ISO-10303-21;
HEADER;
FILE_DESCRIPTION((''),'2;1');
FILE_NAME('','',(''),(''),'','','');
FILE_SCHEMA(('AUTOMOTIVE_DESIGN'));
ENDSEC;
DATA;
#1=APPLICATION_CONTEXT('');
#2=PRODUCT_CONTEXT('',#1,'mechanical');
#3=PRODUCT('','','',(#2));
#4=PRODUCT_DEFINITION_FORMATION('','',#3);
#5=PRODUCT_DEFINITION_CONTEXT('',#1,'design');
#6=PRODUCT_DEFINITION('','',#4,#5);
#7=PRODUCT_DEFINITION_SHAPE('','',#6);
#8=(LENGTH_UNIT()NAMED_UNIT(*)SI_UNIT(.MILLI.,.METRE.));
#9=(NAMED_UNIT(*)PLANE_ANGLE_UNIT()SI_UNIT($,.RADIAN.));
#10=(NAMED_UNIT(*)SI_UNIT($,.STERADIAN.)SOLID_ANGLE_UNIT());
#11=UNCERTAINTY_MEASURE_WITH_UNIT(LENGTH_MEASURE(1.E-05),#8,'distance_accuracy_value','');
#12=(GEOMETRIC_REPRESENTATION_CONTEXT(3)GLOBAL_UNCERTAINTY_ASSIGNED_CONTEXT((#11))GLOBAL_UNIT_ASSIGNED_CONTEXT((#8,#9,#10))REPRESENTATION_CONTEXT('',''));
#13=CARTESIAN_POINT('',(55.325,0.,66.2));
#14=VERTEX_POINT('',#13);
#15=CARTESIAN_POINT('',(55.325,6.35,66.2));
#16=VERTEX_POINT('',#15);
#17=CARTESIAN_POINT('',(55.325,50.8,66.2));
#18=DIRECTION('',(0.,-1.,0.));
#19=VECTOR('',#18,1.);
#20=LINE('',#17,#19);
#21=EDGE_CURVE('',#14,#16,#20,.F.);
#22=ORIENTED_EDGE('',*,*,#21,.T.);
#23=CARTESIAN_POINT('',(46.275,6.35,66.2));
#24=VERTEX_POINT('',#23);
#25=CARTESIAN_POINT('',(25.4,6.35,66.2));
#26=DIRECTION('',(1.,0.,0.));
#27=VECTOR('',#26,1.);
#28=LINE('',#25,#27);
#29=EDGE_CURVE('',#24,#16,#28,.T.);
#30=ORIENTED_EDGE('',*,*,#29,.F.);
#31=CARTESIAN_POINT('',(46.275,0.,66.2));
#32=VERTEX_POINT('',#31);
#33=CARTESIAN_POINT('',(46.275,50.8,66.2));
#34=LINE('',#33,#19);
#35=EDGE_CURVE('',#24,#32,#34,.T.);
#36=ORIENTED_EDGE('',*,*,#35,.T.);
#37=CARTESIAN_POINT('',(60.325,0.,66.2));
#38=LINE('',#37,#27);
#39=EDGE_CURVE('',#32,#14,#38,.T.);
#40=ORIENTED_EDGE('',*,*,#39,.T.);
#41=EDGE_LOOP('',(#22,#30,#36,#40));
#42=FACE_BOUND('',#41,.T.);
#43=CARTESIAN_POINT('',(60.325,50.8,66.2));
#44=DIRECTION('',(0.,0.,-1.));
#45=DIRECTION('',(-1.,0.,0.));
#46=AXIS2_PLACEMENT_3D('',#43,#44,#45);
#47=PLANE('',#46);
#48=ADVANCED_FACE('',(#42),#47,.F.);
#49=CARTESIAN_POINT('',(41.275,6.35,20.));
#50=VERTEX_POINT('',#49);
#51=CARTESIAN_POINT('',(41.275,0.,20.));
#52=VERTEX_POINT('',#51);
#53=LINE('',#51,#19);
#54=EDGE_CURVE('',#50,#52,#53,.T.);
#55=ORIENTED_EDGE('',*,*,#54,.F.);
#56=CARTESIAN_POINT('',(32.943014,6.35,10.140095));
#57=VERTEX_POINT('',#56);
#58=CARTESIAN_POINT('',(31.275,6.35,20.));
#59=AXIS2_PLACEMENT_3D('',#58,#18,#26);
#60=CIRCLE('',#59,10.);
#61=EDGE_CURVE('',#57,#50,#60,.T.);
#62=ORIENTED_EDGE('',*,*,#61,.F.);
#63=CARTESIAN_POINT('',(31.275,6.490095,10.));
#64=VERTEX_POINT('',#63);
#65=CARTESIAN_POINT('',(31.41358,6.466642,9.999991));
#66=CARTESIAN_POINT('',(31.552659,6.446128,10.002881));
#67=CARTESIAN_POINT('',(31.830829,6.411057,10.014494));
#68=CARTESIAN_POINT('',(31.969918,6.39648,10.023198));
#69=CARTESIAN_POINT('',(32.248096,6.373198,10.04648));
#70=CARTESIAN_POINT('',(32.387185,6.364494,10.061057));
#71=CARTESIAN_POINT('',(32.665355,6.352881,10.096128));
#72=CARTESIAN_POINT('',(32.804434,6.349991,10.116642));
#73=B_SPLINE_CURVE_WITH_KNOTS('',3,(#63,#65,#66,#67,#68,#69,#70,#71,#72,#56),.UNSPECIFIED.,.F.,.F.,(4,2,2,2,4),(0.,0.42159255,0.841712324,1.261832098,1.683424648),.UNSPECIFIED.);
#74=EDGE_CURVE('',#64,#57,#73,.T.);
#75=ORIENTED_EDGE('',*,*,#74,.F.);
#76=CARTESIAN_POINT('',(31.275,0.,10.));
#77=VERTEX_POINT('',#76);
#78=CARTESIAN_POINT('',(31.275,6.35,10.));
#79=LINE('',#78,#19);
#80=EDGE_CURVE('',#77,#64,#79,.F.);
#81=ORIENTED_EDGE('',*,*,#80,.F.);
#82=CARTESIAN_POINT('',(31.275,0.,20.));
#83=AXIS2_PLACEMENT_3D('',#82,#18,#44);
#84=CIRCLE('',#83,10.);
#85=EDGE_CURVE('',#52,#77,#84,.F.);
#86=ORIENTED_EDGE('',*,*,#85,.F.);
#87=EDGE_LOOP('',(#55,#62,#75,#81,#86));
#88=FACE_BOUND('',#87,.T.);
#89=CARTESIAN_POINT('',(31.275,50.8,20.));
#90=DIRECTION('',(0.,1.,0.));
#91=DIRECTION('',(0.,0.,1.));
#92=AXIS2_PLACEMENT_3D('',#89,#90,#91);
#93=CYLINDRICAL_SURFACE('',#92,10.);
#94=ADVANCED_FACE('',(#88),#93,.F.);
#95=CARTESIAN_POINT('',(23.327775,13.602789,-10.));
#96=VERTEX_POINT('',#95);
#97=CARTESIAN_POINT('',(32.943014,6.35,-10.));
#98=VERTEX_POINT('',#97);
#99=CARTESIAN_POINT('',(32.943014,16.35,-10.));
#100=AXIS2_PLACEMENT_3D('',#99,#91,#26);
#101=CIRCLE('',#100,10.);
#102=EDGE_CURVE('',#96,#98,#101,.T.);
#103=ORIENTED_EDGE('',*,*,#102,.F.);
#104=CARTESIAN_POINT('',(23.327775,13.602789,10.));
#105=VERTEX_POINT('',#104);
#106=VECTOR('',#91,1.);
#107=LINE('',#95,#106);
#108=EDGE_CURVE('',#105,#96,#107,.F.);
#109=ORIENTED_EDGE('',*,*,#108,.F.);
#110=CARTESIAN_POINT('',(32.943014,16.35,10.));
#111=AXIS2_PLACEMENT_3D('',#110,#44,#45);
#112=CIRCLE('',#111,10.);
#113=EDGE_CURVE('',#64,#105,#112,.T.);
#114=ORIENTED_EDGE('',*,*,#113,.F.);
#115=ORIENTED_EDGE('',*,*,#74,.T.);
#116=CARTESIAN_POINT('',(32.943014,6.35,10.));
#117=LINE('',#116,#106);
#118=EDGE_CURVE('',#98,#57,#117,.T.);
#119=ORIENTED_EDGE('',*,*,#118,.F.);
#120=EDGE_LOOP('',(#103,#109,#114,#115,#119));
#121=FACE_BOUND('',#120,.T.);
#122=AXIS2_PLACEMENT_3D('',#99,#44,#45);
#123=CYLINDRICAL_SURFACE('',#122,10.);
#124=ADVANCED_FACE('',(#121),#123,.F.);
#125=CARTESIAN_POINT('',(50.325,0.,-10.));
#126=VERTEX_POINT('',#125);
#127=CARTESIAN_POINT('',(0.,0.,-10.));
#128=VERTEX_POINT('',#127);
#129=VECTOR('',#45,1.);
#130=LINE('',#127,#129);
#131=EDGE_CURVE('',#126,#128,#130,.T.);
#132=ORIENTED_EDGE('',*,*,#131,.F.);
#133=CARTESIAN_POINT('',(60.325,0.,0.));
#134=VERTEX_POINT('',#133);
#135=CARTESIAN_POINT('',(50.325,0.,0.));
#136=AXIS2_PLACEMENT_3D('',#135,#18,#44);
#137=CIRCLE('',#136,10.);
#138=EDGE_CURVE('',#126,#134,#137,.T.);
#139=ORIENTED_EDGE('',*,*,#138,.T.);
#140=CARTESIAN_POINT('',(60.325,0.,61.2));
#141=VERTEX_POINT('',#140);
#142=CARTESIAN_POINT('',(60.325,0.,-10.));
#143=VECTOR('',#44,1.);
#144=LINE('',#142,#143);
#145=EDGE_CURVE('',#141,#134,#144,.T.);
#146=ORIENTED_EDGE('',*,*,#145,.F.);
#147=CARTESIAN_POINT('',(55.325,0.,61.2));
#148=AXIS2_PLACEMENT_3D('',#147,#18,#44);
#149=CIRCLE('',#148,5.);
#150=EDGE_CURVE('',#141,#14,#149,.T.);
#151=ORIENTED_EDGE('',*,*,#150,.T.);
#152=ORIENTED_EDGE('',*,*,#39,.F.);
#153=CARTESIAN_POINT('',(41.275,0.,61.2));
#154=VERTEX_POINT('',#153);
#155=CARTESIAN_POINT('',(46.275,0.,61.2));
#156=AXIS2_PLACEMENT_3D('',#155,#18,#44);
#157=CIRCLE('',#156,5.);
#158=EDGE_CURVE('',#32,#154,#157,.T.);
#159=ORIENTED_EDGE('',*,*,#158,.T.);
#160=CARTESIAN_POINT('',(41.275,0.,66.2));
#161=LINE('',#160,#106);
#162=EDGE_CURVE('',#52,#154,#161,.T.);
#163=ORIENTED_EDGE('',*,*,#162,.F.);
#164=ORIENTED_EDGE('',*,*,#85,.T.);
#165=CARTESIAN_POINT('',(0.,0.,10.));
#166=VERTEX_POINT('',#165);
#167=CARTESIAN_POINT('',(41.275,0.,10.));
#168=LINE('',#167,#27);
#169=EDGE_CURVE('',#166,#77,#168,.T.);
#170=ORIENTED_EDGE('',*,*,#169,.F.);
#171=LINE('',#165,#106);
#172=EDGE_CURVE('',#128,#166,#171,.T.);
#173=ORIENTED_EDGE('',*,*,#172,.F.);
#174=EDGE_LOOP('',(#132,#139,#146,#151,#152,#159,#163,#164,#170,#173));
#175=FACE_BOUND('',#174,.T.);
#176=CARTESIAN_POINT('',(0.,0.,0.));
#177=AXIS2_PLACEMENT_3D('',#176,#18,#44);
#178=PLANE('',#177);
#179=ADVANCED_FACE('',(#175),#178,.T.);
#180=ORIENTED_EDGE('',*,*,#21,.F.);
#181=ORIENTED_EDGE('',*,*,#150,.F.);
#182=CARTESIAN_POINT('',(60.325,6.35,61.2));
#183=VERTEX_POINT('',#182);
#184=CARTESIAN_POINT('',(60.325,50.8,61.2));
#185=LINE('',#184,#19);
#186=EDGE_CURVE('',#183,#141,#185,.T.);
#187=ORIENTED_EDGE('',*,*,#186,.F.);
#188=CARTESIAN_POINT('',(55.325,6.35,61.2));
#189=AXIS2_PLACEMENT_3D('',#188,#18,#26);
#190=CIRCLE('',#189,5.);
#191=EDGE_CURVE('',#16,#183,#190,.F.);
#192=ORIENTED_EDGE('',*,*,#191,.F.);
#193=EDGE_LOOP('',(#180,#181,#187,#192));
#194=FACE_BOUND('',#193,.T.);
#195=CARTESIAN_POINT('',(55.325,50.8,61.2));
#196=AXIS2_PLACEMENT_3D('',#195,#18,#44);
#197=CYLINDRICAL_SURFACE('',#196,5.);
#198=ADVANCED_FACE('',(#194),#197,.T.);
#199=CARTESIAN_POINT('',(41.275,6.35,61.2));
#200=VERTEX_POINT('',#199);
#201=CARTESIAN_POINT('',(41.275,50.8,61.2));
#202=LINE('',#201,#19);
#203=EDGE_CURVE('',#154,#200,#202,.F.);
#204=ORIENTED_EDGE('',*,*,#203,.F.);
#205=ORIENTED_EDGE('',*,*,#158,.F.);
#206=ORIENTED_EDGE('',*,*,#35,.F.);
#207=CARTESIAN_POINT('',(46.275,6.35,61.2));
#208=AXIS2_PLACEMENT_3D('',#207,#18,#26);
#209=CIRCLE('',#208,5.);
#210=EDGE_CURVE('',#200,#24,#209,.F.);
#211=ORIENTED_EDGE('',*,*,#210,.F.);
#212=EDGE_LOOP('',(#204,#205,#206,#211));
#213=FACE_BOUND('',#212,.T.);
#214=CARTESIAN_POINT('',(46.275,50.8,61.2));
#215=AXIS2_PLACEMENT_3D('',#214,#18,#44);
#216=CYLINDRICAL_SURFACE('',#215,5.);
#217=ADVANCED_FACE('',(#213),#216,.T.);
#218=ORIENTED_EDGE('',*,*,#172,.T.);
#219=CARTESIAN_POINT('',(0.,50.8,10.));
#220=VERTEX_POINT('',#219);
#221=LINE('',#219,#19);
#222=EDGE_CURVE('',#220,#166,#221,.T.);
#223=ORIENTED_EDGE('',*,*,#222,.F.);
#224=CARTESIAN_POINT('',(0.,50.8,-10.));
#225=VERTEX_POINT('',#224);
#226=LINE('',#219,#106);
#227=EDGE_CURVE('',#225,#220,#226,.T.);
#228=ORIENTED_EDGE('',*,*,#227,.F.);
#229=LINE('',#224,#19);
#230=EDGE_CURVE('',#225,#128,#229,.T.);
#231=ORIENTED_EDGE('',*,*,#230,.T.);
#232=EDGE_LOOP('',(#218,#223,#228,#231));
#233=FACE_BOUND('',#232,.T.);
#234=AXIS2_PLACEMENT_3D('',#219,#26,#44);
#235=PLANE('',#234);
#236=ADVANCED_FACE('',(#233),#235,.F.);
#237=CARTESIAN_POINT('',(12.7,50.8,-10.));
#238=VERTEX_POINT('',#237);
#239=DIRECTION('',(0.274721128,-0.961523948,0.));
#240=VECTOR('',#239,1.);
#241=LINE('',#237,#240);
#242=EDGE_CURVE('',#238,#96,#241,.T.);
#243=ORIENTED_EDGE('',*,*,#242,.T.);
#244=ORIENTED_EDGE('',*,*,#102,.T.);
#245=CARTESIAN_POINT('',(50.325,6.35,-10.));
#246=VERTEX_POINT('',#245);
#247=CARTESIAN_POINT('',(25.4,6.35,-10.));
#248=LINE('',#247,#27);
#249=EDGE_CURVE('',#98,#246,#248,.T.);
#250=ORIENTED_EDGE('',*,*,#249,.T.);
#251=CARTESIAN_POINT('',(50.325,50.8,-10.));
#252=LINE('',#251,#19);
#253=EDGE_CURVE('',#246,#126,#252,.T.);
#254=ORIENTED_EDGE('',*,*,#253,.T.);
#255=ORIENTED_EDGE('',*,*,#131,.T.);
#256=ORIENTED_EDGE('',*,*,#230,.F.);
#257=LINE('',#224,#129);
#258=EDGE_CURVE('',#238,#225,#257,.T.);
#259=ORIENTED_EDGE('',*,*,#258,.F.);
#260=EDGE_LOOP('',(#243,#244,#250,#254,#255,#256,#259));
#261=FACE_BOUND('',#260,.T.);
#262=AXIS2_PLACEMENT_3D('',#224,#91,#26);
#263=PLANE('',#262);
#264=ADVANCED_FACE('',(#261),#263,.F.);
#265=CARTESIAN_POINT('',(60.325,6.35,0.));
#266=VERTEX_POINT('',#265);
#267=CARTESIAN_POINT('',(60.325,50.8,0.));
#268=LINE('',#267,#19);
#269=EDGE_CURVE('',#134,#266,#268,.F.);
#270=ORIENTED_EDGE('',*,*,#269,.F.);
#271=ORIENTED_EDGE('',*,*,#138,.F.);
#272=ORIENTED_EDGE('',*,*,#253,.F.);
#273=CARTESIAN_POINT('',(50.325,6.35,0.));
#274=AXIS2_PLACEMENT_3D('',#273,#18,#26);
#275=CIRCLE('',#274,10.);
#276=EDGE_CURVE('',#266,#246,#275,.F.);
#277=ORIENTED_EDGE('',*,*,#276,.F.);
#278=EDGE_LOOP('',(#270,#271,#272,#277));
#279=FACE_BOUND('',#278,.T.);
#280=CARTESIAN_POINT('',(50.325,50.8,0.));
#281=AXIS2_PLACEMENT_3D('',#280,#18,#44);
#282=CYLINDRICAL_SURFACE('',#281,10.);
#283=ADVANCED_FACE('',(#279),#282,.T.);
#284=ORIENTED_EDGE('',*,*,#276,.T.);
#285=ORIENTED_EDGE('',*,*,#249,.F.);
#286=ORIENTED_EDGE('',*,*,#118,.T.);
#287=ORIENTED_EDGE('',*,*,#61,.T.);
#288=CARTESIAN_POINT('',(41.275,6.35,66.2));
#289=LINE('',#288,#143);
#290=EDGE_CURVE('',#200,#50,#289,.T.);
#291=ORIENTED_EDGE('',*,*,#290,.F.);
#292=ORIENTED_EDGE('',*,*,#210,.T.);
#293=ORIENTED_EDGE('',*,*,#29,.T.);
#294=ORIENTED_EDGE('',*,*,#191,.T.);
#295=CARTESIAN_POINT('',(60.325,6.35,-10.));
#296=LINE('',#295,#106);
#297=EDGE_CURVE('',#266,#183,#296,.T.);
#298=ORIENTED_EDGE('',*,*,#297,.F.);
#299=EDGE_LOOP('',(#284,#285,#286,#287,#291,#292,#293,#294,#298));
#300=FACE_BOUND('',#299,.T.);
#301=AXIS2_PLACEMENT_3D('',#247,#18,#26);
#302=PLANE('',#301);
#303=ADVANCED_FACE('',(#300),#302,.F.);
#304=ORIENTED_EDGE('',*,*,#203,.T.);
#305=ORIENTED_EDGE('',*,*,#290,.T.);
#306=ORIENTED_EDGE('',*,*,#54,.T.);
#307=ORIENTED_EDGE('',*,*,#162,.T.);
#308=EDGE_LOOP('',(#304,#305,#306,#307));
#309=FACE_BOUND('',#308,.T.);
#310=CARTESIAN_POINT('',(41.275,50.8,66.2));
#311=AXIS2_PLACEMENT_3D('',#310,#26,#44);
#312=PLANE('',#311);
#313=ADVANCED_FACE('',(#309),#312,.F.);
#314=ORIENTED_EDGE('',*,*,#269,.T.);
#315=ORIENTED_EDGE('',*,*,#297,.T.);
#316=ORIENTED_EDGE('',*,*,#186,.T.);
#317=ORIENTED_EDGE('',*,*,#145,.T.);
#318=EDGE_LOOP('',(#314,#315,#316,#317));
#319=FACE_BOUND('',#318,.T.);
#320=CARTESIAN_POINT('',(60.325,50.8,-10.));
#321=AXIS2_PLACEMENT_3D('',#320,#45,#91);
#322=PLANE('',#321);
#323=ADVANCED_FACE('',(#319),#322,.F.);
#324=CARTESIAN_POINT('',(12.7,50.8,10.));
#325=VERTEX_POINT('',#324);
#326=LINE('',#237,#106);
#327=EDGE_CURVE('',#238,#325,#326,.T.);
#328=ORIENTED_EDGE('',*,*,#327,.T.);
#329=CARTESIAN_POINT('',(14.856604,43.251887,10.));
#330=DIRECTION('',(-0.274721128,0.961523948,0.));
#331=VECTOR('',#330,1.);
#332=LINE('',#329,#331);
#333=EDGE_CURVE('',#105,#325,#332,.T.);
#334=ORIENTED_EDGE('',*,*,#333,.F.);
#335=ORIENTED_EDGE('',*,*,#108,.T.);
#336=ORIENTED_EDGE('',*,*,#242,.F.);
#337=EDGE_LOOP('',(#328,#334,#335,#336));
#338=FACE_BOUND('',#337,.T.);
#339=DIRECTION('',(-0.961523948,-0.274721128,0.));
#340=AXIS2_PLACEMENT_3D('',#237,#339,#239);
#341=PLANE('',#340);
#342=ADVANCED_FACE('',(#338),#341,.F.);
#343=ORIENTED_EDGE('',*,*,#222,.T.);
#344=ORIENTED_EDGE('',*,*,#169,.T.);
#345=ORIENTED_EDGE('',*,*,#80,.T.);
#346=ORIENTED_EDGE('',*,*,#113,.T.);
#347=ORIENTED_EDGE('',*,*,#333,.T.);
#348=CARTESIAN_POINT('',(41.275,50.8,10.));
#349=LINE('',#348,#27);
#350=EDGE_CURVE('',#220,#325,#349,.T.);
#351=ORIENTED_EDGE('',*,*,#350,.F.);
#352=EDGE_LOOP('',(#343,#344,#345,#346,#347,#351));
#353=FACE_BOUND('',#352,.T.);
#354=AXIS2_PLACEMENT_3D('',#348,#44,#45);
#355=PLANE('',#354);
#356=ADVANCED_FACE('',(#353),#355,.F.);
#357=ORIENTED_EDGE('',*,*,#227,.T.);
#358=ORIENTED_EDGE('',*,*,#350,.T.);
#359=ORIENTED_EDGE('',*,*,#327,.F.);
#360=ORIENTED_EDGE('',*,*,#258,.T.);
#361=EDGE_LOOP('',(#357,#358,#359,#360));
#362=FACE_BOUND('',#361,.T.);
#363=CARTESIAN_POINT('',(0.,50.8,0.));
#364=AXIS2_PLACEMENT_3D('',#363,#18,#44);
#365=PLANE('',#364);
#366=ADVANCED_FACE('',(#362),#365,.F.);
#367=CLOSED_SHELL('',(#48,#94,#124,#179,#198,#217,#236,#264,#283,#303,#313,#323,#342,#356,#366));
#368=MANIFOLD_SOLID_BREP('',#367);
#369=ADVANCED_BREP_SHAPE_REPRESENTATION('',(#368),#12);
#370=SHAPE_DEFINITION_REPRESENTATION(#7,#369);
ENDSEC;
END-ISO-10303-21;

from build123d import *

# Parameters (mm, degrees)
BOSS_EXTRUDE2_DEPTH     = 50.8
CUT_EXTRUDE1_DEPTH      = 103.966915196
CUT_EXTRUDE1_DEPTH_BACK = 103.966915196
FILLET1_R               = 10
FILLET2_R               = 10
FILLET3_R               = 5


with BuildPart() as part:
    # Sketch2 → Boss-Extrude2 (new body)
    with BuildSketch(Plane(origin=(0, 0, 0), x_dir=(1, 0, 0), z_dir=(0, 1, 0))):
        Polygon((0, -10), (0, 10), (60.325, 10), (60.325, -66.2), (41.275, -66.2), (41.275, -10), align=None)
    extrude(amount=BOSS_EXTRUDE2_DEPTH)

    # Sketch3 → Cut-Extrude1 (cut, two sides: drawn at the far end of the back side and taken through both)
    with BuildSketch(Plane.XY.offset(-CUT_EXTRUDE1_DEPTH_BACK)):
        Polygon((12.7, 50.8), (25.4, 6.35), (60.325, 6.35), (60.325, 50.8), align=None)
    extrude(amount=CUT_EXTRUDE1_DEPTH + CUT_EXTRUDE1_DEPTH_BACK, mode=Mode.SUBTRACT)

    # Fillet1
    fillet1_edges = [part.edges().sort_by_distance(p)[0] for p in [
        (25.4, 6.35, 0),
    ]]
    fillet(fillet1_edges, radius=FILLET1_R)

    # Fillet2
    fillet2_edges = [part.edges().sort_by_distance(p)[0] for p in [
        (60.325, 3.175, -10),
        (41.275, 3.175, 10),
    ]]
    fillet(fillet2_edges, radius=FILLET2_R)

    # Fillet3
    fillet3_edges = [part.edges().sort_by_distance(p)[0] for p in [
        (60.325, 3.175, 66.2),
        (41.275, 3.175, 66.2),
    ]]
    fillet(fillet3_edges, radius=FILLET3_R)


solid = part.part
